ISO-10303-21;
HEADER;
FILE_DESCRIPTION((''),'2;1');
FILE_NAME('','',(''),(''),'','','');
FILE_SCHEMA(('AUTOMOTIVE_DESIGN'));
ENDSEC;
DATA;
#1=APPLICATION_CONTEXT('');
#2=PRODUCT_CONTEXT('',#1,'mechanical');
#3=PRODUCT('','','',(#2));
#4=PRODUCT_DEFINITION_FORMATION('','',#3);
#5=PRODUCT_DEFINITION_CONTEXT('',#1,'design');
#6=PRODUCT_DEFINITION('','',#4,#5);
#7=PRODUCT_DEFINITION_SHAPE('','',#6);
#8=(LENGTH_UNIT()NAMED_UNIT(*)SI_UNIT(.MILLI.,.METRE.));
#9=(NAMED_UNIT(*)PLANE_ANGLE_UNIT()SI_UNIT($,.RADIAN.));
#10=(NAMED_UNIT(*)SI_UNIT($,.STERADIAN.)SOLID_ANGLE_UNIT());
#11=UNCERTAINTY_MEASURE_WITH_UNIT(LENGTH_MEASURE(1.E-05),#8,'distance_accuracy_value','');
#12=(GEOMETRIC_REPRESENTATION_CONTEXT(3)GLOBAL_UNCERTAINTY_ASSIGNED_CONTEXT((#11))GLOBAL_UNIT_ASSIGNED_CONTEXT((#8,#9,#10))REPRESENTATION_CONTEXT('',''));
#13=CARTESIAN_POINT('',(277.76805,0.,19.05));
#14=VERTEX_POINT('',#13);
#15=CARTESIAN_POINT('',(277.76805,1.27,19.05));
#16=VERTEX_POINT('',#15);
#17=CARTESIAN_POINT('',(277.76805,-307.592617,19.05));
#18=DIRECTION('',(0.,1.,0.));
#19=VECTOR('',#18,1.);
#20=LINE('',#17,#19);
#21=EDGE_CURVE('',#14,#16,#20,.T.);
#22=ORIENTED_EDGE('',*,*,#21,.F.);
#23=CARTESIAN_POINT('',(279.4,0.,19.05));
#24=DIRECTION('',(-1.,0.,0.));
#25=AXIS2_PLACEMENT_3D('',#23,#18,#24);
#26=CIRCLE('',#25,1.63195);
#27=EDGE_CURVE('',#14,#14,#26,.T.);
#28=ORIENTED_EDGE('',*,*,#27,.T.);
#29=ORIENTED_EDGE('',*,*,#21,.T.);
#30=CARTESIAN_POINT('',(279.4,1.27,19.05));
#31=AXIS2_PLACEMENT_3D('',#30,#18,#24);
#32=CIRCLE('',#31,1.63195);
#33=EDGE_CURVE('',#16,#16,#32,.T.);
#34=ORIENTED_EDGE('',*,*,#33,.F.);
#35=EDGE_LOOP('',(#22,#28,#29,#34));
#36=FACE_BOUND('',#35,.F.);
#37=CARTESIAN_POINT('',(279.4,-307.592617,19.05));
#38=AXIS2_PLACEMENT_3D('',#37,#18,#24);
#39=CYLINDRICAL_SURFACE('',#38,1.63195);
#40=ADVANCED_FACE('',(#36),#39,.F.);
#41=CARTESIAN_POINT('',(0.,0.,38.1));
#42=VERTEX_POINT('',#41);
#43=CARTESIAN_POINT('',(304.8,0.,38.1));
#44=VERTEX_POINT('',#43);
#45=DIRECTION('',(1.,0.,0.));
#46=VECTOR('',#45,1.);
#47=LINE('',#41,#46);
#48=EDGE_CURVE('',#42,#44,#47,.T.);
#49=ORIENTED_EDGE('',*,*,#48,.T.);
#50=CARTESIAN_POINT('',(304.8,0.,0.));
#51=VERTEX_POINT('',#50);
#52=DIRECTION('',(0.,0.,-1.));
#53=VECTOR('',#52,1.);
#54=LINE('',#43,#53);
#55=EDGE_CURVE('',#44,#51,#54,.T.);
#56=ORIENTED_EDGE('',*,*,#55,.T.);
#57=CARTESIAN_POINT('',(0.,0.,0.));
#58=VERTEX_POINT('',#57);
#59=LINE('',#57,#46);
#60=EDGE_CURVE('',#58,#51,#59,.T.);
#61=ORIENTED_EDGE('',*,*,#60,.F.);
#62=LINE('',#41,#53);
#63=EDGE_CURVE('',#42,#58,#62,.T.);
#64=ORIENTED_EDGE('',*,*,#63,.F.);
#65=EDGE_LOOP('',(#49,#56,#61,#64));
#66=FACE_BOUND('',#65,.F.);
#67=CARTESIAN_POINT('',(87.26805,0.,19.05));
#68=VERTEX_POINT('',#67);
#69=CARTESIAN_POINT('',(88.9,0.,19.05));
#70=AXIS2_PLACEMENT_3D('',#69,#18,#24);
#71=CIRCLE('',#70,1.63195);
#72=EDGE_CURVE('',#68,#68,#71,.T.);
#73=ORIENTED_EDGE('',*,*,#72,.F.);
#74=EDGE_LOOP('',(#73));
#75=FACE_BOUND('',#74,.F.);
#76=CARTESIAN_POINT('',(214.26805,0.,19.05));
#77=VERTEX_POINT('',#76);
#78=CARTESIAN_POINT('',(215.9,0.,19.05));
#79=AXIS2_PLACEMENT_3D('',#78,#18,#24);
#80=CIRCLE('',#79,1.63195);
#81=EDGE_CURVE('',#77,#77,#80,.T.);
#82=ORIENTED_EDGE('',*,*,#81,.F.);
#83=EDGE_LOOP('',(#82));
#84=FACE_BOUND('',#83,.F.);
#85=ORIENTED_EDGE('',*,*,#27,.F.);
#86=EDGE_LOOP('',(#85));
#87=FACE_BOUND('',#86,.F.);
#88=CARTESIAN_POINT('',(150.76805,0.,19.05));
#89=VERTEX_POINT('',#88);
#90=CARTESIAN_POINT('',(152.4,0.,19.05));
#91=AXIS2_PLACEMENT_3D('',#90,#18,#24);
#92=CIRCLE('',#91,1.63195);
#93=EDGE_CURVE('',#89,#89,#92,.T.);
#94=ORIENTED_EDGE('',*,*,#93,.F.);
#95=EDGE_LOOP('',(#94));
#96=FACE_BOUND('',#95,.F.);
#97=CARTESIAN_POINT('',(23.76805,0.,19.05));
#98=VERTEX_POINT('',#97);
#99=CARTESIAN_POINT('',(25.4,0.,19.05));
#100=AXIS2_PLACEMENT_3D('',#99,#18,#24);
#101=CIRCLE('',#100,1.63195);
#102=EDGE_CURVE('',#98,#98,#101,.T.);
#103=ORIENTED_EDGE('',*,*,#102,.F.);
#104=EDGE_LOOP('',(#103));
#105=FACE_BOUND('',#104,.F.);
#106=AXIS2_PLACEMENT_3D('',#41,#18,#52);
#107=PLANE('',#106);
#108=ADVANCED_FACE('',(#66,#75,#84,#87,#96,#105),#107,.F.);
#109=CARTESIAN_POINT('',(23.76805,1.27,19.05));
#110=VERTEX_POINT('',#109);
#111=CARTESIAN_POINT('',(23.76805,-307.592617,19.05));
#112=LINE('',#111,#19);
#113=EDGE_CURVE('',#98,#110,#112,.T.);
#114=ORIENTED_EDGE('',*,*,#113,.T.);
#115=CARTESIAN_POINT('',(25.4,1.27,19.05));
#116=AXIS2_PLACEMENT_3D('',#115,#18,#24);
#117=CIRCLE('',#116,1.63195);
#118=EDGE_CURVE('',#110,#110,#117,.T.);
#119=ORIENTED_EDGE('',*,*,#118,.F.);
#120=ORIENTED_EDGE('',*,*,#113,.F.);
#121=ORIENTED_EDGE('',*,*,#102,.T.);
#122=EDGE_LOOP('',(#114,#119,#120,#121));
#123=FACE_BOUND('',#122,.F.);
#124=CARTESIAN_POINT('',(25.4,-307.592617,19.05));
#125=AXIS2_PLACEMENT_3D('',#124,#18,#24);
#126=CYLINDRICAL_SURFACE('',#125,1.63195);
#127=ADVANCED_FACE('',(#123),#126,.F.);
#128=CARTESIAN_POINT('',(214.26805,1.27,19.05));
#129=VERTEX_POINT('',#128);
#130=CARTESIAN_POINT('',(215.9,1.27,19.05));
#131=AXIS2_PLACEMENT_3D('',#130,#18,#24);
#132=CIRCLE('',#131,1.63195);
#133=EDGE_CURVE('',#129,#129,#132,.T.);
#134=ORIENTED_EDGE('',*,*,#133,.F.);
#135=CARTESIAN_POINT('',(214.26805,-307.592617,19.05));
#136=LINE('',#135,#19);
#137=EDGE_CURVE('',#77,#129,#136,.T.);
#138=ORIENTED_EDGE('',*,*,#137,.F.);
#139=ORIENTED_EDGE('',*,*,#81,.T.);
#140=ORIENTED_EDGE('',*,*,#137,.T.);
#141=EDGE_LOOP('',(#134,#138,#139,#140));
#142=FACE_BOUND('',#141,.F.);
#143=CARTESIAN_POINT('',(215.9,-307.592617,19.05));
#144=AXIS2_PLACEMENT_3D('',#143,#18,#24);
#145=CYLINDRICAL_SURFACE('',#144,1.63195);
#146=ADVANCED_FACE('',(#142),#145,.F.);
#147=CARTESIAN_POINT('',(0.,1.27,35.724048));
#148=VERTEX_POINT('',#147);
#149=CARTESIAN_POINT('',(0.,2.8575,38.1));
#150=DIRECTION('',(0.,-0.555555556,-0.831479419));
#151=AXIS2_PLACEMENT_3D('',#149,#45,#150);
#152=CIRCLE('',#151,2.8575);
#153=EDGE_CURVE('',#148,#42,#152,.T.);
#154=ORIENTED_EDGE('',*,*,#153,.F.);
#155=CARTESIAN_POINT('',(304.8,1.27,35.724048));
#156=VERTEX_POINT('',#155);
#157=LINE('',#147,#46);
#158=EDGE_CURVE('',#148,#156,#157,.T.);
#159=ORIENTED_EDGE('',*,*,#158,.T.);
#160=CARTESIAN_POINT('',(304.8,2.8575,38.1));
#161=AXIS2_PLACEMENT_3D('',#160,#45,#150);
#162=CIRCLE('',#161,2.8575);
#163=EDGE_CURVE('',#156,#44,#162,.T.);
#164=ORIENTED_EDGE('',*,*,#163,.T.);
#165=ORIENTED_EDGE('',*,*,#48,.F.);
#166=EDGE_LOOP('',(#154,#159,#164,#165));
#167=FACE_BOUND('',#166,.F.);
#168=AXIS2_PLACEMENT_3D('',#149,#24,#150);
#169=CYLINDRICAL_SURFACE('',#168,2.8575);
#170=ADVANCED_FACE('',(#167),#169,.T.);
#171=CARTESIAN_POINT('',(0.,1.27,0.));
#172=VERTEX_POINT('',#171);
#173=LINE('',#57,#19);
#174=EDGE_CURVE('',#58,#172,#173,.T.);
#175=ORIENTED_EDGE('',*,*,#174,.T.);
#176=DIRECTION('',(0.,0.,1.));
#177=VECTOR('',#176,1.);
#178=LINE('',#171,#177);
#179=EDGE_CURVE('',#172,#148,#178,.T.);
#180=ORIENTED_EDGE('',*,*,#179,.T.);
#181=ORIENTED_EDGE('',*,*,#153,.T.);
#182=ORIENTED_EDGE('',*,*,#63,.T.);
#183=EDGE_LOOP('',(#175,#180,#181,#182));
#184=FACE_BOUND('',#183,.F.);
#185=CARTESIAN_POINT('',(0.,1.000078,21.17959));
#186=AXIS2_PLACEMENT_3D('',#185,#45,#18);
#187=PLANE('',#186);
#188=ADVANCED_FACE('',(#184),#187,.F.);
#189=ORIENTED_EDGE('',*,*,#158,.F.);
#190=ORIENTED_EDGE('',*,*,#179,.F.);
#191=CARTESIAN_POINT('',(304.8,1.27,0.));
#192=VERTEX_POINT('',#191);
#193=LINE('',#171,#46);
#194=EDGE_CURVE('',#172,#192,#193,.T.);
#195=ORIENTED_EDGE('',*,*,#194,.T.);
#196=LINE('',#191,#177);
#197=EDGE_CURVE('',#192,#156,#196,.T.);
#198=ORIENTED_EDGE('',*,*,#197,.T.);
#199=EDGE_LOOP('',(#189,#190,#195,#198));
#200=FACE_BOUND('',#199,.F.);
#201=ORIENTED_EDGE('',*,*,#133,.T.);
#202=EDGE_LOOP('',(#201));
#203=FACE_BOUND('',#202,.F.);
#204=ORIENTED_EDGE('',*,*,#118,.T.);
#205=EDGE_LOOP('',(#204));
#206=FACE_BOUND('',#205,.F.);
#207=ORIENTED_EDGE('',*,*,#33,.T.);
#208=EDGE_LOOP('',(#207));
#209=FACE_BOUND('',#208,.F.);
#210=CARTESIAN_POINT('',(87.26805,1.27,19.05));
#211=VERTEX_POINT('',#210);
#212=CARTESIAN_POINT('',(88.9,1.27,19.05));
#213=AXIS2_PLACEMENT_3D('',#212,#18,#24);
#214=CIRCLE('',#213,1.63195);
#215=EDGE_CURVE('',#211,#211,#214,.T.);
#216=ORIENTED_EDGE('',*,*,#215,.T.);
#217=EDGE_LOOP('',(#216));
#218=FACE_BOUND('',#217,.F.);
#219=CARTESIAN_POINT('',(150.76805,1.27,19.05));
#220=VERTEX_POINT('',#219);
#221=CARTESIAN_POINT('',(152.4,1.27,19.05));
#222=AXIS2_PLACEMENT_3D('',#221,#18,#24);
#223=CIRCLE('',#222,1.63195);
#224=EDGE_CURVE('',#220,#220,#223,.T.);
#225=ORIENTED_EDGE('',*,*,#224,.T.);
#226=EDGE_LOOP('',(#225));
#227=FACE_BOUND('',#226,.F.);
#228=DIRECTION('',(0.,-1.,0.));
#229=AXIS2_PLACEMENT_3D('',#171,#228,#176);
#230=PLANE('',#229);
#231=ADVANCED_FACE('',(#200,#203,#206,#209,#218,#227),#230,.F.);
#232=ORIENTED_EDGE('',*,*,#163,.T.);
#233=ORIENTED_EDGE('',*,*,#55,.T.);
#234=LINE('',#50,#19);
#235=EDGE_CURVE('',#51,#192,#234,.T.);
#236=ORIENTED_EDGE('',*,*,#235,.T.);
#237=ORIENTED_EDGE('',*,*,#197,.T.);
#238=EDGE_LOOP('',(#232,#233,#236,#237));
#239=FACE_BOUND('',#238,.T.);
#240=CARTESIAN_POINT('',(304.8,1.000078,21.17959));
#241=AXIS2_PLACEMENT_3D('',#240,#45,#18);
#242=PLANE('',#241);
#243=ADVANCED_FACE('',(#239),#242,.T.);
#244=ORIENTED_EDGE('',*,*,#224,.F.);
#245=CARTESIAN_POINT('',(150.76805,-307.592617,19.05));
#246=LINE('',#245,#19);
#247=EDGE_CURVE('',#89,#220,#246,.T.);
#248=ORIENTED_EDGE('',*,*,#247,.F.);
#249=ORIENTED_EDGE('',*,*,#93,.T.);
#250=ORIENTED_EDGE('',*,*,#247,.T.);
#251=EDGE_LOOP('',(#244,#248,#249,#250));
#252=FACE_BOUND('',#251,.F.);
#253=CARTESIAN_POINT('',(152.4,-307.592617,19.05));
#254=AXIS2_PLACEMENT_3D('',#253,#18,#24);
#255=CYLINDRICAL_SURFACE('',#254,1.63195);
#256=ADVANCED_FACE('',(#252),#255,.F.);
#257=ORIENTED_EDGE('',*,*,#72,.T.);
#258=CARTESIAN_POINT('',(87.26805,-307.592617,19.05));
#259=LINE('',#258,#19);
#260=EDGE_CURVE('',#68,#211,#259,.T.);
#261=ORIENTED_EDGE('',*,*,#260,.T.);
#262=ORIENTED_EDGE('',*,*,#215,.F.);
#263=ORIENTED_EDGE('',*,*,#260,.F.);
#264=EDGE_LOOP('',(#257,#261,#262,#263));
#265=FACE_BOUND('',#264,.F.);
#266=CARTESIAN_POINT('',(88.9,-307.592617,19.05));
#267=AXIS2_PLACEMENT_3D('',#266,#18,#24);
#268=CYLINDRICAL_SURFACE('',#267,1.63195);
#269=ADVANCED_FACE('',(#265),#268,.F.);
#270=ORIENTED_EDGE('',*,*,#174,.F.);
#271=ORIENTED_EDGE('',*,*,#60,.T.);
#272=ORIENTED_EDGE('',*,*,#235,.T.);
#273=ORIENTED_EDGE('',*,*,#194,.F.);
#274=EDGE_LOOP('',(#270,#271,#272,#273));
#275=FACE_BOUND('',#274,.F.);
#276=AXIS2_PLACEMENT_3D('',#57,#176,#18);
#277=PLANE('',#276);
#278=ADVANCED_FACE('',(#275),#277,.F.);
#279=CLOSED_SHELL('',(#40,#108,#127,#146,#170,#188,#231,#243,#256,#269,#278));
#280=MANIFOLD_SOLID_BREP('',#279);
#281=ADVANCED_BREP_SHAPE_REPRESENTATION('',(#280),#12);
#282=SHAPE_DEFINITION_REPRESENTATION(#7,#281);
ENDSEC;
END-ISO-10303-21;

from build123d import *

# Parameters (mm, degrees)
F1_DEPTH = 304.8
F3_D     = 3.2639


with BuildPart() as f1:
    # F0 (on Right) → F1 (new body)
    with BuildSketch(Plane.YZ):
        with BuildLine():
            Line((0, 38.1), (0, 0))
            Line((0, 0), (1.27, 0))
            Line((1.27, 0), (1.27, 35.7240475594))
            ThreePointArc((1.27, 35.7240475594), (5.3775781238, 39.4470384182), (0, 38.1))
        make_face()
    extrude(amount=F1_DEPTH)

    # F3 (through all)
    with Locations(Plane.XZ):
        with Locations((25.4, 19.05), (88.9, 19.05), (152.4, 19.05), (215.9, 19.05), (279.4, 19.05)):
            Hole(F3_D / 2)


solid = f1.part
